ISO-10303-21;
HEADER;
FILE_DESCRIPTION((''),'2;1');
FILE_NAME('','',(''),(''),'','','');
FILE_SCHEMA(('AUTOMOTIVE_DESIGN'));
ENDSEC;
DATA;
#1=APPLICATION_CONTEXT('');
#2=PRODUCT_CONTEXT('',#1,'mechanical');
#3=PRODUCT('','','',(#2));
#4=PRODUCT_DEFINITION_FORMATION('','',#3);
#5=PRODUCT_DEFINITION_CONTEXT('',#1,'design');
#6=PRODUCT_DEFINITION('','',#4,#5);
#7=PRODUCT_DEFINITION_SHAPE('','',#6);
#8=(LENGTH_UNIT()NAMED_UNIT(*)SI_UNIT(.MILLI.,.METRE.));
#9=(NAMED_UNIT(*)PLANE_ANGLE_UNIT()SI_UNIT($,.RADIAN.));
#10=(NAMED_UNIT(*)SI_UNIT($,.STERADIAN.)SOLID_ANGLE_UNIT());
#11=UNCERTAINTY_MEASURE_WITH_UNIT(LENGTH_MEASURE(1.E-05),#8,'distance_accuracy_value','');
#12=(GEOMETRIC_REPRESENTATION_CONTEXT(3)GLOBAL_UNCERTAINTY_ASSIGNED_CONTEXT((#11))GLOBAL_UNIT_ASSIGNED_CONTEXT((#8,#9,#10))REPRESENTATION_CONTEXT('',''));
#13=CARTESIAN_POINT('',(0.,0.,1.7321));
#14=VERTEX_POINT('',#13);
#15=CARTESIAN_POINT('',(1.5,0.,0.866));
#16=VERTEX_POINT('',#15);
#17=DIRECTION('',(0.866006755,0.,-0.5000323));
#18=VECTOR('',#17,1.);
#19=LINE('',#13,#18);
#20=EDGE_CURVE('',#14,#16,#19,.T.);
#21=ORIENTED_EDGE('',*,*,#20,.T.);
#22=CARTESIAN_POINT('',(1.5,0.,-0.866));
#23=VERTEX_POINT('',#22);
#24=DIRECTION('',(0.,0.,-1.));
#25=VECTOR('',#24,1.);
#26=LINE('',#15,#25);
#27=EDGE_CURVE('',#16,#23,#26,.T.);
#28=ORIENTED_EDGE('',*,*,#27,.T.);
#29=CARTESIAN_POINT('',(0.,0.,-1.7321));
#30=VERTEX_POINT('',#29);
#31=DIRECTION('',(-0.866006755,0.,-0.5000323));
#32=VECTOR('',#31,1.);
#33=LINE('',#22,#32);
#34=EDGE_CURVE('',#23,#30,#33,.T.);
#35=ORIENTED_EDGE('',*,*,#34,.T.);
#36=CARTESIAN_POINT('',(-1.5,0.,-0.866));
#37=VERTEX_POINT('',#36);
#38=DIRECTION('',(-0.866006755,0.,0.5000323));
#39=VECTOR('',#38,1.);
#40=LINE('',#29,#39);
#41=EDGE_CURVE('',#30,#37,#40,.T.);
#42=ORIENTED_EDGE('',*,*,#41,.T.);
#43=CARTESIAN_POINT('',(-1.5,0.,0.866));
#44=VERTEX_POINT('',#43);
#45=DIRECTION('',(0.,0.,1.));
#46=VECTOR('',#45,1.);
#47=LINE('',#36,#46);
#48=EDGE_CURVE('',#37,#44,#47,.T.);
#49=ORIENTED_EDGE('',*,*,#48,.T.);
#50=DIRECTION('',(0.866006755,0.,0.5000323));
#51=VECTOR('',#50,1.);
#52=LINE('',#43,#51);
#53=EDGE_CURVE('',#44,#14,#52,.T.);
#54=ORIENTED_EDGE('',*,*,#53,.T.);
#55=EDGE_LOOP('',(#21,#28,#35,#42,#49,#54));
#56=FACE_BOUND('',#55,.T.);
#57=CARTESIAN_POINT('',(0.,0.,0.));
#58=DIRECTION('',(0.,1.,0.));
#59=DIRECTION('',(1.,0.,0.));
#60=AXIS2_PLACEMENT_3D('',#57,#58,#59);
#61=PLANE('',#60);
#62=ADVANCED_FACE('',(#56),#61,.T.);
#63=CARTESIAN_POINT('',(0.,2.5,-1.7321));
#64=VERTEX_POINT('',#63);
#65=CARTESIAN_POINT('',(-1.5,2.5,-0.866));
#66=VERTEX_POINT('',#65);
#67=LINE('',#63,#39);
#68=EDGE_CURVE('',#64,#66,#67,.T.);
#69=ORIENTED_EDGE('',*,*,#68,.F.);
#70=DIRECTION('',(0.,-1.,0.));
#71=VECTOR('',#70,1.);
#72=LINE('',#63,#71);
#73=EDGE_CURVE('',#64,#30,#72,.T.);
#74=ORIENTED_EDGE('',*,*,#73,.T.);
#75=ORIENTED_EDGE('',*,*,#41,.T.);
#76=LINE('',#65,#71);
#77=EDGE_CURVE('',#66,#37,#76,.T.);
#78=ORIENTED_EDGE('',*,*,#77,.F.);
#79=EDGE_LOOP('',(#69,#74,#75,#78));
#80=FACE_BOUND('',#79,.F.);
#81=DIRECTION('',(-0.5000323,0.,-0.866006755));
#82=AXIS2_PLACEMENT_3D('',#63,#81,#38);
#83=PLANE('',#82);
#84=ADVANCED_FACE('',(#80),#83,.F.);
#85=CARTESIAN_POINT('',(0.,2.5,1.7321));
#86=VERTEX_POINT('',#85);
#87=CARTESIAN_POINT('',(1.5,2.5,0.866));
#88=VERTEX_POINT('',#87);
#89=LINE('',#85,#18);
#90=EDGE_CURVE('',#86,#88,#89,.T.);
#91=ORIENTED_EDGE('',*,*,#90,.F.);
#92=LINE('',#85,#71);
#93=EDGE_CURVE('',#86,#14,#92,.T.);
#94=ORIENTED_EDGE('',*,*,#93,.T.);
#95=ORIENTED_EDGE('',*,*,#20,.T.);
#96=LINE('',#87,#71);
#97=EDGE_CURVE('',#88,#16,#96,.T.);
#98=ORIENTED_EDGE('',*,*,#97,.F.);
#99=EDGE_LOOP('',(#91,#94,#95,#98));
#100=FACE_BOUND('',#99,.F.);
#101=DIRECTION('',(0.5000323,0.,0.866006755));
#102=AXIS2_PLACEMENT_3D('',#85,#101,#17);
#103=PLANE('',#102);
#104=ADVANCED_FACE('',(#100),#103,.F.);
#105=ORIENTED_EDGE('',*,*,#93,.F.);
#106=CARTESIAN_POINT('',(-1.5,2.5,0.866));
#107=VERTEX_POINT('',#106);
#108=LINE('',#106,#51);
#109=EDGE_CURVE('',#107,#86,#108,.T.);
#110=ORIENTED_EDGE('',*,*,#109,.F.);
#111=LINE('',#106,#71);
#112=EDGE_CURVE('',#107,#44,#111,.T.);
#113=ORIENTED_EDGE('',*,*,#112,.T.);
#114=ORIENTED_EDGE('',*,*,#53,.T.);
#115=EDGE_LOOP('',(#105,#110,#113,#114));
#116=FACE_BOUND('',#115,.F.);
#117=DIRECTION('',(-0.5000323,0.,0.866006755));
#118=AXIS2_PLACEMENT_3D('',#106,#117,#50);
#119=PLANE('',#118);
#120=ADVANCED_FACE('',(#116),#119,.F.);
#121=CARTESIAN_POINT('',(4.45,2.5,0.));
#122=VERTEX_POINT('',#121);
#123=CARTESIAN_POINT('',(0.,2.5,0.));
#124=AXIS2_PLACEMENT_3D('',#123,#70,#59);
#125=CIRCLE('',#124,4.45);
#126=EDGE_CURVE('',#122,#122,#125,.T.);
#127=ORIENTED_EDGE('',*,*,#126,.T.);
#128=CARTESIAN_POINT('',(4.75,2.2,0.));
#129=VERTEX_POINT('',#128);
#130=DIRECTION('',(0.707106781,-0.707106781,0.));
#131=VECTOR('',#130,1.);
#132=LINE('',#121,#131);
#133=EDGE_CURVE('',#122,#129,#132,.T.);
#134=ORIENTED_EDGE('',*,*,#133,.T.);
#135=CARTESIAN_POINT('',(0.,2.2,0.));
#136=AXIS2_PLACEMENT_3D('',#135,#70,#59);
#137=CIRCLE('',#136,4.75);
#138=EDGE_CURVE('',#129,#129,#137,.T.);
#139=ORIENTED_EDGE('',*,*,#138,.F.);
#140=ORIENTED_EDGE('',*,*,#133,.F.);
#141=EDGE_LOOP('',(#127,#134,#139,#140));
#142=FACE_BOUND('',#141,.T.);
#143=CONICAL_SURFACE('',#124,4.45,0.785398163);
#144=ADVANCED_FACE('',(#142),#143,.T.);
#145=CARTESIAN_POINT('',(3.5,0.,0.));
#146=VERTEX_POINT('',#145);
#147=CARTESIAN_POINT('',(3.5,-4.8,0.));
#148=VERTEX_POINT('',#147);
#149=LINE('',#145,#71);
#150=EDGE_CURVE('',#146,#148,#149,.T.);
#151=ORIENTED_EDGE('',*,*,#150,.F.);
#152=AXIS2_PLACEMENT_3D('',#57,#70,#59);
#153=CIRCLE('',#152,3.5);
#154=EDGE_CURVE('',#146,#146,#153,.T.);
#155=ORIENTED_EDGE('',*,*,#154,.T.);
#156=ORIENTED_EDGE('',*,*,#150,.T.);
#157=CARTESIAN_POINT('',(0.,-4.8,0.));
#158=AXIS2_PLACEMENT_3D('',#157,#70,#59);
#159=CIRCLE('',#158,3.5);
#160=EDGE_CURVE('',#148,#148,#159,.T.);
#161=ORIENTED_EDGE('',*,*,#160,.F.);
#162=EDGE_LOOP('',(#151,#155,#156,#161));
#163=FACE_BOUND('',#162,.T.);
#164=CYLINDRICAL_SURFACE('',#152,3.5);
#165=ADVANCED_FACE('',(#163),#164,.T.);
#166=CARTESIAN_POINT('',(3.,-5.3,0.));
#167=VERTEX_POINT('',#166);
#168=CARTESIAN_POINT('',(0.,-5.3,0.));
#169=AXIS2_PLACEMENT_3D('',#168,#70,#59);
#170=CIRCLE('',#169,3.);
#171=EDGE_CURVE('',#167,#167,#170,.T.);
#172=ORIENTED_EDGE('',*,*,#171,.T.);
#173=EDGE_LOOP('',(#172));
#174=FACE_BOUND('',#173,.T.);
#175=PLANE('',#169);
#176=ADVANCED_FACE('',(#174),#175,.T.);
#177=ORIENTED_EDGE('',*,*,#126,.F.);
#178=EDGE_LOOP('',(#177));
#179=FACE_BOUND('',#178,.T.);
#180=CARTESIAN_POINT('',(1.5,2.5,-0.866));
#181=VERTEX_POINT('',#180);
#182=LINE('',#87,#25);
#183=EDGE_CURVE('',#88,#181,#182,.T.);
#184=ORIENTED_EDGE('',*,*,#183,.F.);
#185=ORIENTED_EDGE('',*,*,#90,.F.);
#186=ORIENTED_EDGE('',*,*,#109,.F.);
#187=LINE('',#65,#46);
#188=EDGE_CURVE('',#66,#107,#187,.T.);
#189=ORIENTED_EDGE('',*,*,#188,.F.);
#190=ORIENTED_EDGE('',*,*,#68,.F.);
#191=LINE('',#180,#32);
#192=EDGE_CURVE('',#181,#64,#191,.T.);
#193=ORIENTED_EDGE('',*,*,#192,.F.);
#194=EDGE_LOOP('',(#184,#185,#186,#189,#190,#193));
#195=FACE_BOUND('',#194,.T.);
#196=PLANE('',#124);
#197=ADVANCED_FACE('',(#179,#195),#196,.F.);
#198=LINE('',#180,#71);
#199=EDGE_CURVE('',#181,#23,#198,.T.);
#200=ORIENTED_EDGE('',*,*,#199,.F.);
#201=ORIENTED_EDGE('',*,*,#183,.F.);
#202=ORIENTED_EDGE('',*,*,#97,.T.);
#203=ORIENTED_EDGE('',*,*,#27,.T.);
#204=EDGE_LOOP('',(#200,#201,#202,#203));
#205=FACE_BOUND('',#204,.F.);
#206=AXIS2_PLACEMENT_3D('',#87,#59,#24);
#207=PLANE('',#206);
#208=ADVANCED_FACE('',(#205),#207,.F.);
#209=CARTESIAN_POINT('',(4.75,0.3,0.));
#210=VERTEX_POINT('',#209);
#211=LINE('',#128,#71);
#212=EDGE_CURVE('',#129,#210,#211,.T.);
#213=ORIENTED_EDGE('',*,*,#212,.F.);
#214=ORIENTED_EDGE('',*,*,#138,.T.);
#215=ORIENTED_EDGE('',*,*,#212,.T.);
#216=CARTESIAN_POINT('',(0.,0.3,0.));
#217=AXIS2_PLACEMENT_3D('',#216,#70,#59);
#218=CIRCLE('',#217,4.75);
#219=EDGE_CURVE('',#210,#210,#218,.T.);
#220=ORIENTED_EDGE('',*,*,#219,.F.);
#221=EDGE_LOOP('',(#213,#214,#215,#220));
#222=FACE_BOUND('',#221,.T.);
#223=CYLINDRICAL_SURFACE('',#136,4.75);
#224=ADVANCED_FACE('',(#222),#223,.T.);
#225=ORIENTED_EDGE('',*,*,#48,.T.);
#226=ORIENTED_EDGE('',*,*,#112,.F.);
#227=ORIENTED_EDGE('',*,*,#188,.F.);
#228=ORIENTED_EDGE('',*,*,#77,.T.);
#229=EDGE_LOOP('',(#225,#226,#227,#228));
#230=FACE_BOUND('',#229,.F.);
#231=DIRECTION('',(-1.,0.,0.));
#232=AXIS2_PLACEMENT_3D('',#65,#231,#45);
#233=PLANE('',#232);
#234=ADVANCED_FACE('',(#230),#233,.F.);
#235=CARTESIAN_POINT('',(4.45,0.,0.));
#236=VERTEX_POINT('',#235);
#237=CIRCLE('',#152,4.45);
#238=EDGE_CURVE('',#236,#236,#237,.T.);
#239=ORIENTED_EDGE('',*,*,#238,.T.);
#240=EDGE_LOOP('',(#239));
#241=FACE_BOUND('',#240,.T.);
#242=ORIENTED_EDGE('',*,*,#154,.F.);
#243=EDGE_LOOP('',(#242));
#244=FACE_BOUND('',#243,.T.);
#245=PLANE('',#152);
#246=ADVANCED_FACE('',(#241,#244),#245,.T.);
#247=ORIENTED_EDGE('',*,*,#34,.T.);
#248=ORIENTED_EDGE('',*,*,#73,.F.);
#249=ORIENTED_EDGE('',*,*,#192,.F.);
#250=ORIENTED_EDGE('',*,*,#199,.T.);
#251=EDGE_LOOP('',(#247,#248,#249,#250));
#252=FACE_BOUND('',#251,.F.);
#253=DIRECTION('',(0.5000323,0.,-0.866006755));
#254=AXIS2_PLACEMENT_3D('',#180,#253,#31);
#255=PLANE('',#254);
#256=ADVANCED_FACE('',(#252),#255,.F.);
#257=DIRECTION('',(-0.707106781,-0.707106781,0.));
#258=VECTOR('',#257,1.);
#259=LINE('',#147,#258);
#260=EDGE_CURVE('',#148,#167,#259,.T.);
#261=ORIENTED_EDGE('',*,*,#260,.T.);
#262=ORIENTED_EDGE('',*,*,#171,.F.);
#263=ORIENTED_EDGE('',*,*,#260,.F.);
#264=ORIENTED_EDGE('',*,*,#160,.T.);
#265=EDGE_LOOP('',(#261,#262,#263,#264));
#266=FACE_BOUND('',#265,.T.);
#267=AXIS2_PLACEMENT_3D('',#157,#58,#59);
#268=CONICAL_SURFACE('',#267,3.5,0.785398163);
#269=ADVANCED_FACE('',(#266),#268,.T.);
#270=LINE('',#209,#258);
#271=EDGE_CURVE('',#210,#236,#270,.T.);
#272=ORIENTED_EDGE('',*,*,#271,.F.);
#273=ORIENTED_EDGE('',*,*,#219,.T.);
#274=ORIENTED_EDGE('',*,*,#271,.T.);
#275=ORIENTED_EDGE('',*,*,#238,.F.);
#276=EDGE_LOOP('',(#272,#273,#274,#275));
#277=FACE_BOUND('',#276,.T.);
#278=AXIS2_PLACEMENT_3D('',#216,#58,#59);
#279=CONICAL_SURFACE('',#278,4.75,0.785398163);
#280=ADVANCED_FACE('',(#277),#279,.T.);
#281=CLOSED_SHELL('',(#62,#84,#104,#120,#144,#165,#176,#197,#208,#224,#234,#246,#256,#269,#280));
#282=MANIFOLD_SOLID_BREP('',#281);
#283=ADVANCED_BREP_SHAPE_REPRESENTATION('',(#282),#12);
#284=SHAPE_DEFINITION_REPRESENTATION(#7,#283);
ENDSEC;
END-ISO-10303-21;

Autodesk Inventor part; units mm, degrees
sketch "Sketch_1" plane through (0, 0, 0) normal (0, 0, 1) x (1, 0, 0)
  line L0 (0, -5.3) -> (0, 2.5)
  line L1 (0, 2.5) -> (4.45, 2.5)
  line L2 (4.45, 2.5) -> (4.75, 2.2)
  line L3 (4.75, 2.2) -> (4.75, 0.3)
  line L4 (4.75, 0.3) -> (4.45, 0)
  line L5 (4.45, 0) -> (3.5, 0)
  line L6 (3.5, 0) -> (3.5, -4.8)
  line L7 (3.5, -4.8) -> (3, -5.3)
  line L8 (3, -5.3) -> (0, -5.3)
  line L9 (0, -5.3) -> (0, 2.5)
revolve "Revolution1" add sketch "Sketch_1" angle 360 about axis through (0, -5.3, 0) along (0, -1, 0)
thread "Thread1" size "M7x1" class "6g" standard "ISO Metric profile" full length
sketch "Sketch_4" plane through (0, 2.5, 0) normal (0, 1, 0) x (1, 0, 0)
  line L0 (-1.5, -0.866) -> (0, -1.7321)
  line L1 (0, -1.7321) -> (1.5, -0.866)
  line L2 (1.5, -0.866) -> (1.5, 0.866)
  line L3 (1.5, 0.866) -> (0, 1.7321)
  line L4 (0, 1.7321) -> (-1.5, 0.866)
  line L5 (-1.5, 0.866) -> (-1.5, -0.866)
extrude "Extrusion1" cut sketch "Sketch_4" against normal blind 2.5
ref_plane "din_908_XY" through (0, 0, 0) normal (0, 1, 0) x (1, 0, 0)
ref_plane "din_908_YZ" through (0, 0, 0) normal (1, 0, 0) x (0, 0, -1)
ref_plane "din_908_ZX" through (0, 0, 0) normal (0, 0, -1) x (0, 1, 0)
properties part number "Verschlussschraube DIN908 M7"
